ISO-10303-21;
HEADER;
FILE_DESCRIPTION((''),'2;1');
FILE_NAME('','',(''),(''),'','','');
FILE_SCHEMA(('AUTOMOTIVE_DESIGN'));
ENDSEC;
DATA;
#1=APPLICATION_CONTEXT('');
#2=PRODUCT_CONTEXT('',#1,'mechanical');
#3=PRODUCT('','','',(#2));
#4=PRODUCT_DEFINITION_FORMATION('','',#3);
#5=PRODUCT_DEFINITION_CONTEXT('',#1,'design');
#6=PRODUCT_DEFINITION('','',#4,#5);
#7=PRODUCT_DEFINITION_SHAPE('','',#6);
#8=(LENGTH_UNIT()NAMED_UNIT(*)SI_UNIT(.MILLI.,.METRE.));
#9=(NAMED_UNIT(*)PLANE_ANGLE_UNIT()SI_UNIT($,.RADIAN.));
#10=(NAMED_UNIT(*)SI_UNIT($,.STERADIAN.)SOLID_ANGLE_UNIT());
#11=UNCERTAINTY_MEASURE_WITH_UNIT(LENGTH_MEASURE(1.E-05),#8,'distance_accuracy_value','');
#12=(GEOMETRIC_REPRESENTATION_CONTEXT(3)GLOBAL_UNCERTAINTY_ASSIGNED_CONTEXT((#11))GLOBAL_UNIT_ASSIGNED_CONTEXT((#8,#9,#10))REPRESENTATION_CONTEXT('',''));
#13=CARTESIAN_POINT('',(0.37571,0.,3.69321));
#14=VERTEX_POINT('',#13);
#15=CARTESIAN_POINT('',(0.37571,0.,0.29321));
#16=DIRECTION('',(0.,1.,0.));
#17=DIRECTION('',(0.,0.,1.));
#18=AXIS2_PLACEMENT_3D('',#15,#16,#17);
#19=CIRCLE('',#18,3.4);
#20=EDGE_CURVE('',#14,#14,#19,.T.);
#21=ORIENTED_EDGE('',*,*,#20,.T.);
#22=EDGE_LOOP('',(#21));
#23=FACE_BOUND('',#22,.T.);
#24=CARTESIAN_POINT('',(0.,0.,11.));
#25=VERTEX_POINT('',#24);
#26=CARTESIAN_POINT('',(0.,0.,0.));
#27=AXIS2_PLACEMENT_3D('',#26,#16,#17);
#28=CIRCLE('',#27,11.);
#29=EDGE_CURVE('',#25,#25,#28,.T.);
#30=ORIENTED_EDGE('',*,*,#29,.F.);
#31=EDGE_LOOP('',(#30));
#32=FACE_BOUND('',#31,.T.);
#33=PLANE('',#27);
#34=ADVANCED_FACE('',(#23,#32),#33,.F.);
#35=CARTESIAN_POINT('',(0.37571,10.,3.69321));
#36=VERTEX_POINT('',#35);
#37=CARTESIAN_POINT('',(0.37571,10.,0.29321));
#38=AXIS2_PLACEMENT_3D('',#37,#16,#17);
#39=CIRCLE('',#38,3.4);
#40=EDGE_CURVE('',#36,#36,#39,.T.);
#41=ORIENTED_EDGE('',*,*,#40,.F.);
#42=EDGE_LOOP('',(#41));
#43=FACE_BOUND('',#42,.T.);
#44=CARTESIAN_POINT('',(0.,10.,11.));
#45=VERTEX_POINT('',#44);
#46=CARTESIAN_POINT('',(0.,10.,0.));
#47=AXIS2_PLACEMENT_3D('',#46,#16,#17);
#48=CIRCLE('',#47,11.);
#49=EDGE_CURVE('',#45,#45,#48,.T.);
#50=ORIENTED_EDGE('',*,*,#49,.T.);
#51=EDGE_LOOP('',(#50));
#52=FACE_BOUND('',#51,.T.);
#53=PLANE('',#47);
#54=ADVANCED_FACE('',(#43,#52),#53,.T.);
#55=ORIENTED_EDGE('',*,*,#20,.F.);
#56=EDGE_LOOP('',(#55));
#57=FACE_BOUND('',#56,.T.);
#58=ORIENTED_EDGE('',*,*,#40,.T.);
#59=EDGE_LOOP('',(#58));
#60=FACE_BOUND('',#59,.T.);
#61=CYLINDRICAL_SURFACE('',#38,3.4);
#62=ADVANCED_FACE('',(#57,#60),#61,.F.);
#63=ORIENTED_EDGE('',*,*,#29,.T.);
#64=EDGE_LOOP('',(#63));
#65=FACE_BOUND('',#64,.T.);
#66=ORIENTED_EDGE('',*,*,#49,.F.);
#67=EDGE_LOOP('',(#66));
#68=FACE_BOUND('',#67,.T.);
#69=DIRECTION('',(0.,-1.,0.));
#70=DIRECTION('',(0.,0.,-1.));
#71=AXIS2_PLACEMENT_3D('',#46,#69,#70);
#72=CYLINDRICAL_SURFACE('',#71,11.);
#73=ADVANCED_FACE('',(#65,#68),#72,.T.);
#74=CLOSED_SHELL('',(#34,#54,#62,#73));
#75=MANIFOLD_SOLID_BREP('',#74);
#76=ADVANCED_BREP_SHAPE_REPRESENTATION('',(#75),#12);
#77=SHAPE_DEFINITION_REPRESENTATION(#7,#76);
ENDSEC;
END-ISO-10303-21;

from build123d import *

# Parameters (mm, degrees)
SKETCH1_R           = 11
BOSS_EXTRUDE1_DEPTH = 10
M8_TAPPED_HOLE1_D   = 6.8


with BuildPart() as part:
    # Sketch1 → Boss-Extrude1 (new body)
    with BuildSketch(Plane(origin=(0, 0, 0), x_dir=(1, 0, 0), z_dir=(0, 1, 0))):
        Circle(SKETCH1_R)
    extrude(amount=BOSS_EXTRUDE1_DEPTH)

    # M8 Tapped Hole1 (through all)
    with Locations(Plane(origin=(0.37570957, 10, 0.293209501), x_dir=(0, 0, 1), z_dir=(0, 1, 0))):
        with Locations((0, 0)):
            Hole(M8_TAPPED_HOLE1_D / 2)


solid = part.part
